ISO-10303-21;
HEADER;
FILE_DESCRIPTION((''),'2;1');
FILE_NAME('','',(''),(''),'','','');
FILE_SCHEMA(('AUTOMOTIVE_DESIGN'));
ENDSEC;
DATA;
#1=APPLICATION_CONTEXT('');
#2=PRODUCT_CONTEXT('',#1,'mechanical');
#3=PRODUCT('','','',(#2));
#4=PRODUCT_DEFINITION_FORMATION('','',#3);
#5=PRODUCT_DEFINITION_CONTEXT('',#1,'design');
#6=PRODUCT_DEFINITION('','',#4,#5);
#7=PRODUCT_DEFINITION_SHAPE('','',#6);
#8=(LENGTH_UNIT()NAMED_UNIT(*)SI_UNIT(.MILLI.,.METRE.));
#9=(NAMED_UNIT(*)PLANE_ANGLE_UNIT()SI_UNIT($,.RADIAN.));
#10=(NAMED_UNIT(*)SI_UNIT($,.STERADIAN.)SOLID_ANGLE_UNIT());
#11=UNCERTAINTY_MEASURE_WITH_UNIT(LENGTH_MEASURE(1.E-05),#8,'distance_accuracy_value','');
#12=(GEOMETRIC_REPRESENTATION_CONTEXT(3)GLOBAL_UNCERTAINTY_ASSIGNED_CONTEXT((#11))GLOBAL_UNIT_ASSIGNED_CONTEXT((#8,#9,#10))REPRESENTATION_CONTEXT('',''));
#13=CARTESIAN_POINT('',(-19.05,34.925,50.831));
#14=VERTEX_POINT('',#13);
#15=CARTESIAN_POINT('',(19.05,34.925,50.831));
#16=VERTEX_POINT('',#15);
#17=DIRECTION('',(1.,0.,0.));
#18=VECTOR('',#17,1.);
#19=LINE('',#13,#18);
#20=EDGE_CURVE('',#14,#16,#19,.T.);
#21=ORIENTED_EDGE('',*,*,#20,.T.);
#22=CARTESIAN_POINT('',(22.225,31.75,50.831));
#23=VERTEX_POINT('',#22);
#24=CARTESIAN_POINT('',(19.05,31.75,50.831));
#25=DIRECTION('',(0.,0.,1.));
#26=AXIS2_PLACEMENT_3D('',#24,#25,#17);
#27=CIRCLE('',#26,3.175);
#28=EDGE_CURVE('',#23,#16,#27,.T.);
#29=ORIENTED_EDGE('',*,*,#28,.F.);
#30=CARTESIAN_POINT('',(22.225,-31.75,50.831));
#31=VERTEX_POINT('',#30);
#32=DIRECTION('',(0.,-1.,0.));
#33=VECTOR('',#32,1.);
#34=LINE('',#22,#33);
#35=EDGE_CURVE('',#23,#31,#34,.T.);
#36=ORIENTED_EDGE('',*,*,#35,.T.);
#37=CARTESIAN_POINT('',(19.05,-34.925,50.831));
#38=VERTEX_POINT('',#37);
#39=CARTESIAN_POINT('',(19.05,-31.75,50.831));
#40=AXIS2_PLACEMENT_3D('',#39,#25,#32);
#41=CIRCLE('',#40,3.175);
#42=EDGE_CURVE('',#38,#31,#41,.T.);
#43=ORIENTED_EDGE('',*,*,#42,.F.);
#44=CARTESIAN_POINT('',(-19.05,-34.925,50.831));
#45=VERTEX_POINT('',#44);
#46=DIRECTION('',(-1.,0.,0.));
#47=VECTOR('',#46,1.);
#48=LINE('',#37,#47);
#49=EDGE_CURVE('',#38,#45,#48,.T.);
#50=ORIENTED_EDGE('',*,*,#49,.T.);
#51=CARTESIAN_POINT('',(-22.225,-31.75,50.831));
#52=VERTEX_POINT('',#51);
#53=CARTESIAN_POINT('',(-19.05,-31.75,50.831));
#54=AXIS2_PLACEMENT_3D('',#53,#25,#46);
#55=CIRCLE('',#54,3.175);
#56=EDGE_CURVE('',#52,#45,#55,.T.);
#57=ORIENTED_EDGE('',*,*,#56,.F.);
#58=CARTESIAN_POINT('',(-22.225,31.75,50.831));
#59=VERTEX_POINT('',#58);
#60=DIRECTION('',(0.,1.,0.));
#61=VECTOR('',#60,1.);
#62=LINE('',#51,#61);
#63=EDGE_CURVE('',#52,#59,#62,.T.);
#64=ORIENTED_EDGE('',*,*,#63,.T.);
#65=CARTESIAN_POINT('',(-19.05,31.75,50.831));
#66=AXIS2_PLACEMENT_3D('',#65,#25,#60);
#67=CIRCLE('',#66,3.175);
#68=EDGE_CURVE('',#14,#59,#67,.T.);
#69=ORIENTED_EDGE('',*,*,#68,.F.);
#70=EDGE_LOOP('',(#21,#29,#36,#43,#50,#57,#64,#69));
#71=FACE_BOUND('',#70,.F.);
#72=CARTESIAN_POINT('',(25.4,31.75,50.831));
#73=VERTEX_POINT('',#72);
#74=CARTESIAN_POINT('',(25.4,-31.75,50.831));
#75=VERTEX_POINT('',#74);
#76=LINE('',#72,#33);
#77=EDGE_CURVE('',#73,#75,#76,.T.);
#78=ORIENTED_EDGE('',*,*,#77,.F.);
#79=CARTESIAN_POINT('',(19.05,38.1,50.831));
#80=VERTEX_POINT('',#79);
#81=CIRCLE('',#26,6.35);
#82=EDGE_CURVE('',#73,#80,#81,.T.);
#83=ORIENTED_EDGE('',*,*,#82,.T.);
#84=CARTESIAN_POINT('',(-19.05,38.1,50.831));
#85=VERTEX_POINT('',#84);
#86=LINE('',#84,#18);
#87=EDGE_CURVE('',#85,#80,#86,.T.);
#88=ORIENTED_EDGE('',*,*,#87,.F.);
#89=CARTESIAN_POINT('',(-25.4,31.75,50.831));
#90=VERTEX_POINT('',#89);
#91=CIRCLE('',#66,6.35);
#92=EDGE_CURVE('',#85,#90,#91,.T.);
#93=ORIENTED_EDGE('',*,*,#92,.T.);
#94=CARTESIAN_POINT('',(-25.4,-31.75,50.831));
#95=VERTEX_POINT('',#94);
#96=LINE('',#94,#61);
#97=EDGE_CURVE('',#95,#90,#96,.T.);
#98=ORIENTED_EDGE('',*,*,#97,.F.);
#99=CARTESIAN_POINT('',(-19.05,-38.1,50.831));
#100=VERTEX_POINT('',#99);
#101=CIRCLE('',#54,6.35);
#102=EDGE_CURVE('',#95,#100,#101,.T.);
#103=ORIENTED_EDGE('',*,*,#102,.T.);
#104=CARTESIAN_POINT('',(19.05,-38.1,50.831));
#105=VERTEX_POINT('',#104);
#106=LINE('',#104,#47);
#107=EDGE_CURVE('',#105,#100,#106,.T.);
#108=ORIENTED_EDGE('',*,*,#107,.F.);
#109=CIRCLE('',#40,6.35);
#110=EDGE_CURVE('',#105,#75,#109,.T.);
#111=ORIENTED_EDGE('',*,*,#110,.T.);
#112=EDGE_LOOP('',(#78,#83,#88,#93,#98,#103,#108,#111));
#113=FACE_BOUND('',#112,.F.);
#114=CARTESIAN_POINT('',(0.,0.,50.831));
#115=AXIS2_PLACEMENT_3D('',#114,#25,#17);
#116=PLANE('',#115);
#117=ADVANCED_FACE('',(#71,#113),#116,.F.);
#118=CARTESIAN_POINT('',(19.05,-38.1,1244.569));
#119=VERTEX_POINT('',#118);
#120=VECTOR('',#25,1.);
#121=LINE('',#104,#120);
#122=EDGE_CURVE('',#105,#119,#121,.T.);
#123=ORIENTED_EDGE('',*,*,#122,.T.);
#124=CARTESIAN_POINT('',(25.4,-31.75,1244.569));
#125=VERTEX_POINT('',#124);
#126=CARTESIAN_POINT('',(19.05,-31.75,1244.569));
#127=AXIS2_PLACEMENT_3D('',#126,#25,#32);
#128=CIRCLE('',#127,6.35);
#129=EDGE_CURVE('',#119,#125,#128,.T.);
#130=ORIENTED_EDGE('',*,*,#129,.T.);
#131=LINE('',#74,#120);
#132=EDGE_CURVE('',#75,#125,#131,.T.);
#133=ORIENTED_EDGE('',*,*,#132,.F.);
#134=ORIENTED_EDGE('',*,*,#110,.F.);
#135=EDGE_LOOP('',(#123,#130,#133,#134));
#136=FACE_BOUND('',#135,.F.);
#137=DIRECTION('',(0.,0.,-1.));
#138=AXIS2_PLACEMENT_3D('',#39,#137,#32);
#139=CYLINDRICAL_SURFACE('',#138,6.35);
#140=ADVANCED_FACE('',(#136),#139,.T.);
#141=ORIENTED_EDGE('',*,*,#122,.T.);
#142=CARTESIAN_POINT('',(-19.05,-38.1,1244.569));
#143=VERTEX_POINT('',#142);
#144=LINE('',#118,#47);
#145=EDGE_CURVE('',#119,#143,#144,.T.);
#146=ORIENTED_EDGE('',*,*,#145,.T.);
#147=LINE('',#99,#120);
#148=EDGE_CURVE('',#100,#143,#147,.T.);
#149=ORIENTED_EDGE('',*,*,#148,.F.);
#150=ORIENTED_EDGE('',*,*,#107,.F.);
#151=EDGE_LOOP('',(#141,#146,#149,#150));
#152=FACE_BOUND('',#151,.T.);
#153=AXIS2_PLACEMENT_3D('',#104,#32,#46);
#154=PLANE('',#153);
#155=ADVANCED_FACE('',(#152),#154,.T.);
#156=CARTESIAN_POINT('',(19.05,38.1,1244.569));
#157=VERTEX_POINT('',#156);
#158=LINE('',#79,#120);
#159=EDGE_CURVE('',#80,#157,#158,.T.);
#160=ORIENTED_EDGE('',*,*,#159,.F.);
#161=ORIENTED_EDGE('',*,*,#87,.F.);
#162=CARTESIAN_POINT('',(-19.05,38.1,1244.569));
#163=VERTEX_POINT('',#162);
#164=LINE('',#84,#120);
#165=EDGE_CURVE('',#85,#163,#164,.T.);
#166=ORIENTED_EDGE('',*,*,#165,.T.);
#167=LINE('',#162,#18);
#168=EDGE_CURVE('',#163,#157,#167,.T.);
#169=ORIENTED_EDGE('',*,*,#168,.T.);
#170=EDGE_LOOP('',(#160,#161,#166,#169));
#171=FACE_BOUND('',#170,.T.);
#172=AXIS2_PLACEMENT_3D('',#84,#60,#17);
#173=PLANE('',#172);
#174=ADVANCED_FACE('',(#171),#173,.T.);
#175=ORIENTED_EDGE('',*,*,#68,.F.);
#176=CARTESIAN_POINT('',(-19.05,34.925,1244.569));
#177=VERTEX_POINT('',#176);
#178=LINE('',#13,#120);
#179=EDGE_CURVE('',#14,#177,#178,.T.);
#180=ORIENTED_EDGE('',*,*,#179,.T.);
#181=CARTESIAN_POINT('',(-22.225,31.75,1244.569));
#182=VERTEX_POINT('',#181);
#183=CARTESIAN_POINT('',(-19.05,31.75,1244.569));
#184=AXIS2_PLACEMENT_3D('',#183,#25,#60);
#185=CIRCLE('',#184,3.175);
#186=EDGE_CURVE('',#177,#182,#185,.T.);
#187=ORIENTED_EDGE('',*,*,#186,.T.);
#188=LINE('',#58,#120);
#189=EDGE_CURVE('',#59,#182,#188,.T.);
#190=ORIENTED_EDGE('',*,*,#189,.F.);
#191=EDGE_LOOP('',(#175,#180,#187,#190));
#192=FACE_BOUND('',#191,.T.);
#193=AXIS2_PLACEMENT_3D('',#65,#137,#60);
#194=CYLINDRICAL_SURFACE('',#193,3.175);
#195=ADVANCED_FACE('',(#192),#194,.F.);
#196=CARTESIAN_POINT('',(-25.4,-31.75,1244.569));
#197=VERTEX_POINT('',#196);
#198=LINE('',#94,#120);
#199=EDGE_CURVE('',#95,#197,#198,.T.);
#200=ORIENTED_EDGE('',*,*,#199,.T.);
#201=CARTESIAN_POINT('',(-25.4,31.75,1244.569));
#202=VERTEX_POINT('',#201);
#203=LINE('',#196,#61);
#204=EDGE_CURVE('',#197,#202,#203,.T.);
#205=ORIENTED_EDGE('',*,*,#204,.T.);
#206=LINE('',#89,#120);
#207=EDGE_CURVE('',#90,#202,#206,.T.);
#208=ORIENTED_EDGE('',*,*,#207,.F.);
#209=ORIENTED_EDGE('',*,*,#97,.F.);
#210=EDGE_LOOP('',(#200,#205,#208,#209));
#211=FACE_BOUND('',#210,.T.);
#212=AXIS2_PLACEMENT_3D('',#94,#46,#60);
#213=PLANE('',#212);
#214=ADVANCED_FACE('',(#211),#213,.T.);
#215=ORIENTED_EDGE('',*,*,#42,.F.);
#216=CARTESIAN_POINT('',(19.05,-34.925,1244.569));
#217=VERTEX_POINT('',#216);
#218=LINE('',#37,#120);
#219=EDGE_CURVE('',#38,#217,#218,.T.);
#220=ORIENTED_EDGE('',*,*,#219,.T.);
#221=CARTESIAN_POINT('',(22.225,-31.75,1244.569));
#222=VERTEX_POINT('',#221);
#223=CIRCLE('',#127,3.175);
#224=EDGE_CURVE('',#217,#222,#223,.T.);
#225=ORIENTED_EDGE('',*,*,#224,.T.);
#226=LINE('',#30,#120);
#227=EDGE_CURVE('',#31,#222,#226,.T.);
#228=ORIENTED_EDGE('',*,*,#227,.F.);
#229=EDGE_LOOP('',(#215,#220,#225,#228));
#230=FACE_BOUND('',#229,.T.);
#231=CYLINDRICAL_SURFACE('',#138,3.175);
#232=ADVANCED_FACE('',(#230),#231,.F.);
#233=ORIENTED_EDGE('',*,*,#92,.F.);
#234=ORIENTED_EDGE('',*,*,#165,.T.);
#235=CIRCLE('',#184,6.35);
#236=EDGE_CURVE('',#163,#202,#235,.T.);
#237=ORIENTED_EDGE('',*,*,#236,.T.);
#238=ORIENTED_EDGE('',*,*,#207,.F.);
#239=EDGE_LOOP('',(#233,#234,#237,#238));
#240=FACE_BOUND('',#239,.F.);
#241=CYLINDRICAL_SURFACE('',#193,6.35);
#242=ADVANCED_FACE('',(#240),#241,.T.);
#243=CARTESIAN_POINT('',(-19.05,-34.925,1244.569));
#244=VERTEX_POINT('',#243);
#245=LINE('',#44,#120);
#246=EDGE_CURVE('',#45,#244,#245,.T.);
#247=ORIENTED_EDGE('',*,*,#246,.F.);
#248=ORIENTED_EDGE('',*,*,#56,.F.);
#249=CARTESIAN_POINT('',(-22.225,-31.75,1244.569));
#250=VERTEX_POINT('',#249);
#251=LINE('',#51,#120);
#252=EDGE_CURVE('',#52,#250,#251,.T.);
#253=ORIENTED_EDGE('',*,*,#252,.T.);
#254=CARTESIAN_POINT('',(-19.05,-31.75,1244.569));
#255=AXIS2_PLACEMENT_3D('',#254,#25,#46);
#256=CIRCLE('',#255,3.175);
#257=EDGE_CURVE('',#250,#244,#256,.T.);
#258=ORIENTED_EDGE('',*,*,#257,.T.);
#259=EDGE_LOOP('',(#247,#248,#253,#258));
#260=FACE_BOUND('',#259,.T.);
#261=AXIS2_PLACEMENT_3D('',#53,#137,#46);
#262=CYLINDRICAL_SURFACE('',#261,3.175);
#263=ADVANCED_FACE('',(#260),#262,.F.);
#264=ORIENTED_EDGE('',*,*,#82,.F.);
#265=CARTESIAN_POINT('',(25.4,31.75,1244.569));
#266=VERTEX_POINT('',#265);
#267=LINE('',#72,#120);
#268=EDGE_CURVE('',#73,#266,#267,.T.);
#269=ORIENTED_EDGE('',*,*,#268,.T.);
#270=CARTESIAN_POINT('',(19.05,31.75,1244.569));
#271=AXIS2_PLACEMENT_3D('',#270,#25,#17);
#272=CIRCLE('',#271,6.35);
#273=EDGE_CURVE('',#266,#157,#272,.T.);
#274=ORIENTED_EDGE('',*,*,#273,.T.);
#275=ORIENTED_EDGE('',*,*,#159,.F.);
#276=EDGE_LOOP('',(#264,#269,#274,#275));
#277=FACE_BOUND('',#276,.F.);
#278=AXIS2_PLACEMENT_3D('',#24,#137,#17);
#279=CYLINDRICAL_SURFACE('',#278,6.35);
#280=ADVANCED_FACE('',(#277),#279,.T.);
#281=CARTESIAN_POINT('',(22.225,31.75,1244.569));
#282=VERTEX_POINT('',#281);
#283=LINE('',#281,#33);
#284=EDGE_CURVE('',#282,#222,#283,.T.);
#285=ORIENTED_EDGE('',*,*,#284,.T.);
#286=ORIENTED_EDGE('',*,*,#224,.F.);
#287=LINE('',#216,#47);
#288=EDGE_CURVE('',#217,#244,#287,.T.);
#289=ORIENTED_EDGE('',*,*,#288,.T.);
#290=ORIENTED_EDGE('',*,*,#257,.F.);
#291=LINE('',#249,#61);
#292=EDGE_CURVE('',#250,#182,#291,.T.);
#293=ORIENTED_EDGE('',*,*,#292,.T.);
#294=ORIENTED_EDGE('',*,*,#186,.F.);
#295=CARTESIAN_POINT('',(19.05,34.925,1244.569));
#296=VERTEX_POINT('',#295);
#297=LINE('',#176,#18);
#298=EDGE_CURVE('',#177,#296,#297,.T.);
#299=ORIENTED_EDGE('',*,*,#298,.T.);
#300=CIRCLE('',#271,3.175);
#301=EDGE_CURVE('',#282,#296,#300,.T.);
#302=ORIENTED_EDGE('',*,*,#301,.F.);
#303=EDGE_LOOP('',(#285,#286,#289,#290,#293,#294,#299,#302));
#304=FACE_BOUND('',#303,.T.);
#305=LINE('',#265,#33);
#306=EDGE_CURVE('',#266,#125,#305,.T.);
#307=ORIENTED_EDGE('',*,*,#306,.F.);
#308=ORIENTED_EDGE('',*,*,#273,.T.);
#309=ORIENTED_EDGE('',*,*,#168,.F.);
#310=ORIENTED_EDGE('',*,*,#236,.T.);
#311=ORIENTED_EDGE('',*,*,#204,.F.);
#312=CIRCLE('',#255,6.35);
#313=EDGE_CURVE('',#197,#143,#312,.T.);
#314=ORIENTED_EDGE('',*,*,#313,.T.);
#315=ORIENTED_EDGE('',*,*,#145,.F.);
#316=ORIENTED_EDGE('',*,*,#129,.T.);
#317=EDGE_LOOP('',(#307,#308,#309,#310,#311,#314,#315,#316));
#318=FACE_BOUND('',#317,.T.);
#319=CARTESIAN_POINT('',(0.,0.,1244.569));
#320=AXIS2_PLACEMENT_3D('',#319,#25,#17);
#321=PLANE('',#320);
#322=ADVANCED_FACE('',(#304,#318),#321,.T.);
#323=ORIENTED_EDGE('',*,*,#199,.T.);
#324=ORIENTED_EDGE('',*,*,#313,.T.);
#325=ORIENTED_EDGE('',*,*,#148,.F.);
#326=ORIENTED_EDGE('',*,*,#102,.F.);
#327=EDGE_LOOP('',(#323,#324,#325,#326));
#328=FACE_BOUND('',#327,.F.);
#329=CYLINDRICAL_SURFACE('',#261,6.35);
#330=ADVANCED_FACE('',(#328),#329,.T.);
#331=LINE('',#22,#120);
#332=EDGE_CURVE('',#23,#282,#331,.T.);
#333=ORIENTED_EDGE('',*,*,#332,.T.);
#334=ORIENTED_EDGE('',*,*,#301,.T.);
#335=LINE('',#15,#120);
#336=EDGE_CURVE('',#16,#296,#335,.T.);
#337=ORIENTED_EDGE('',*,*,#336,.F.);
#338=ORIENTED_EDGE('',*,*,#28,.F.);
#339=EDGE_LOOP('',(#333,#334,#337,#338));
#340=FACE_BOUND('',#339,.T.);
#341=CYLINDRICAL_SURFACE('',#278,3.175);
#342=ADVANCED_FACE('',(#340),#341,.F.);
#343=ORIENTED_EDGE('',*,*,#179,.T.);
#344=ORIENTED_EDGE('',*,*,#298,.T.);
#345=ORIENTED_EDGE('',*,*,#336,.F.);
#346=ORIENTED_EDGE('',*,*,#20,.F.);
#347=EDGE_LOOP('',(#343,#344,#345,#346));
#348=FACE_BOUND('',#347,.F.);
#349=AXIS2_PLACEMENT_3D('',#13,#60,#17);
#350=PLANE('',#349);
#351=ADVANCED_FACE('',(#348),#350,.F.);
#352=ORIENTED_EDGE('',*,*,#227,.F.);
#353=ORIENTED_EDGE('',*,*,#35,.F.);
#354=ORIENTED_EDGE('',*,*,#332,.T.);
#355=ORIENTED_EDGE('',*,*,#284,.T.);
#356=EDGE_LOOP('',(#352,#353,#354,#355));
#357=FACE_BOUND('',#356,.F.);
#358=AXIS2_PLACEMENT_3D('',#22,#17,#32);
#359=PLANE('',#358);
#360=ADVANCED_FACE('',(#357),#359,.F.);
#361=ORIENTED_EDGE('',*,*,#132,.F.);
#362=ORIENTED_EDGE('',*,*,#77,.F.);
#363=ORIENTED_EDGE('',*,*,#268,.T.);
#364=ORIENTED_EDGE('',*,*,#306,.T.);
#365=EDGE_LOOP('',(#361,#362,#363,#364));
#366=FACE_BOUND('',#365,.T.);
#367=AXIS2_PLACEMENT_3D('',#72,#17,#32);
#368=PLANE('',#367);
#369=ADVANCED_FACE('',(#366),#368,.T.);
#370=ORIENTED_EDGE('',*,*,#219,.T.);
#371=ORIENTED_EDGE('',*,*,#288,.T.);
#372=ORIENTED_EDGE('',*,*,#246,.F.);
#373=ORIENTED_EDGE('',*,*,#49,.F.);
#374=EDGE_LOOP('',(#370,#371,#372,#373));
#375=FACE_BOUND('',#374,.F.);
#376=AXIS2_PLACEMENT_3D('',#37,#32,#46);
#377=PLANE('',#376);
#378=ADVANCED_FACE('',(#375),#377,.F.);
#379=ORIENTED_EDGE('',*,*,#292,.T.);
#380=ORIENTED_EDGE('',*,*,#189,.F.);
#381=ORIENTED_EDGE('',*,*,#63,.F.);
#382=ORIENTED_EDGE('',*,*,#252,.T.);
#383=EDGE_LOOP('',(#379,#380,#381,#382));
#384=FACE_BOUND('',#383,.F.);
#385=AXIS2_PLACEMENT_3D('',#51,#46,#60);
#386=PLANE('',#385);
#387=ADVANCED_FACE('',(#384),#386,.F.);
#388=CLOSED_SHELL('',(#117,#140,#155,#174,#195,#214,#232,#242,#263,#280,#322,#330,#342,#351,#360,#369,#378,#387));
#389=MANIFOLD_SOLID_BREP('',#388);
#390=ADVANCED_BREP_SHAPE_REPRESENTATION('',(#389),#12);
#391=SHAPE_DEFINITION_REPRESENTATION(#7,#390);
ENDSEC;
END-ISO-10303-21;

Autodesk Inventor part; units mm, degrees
ref_plane "Start Plane" through (0, 0, 50.831) normal (0, 0, 1) x (1, 0, 0)
ref_plane "End Plane" through (0, 0, 1244.569) normal (0, 0, 1) x (1, 0, 0)
sketch "Sketch" plane through (0, 0, 0) normal (0, 0, 1) x (1, 0, 0)
  line L0 (-25.4, -31.75) -> (-25.4, 31.75)
  line L1 (-19.05, 38.1) -> (19.05, 38.1)
  line L2 (25.4, 31.75) -> (25.4, -31.75)
  line L3 (19.05, -38.1) -> (-19.05, -38.1)
  arc A0 (-25.4, -31.75) -> (-19.05, -38.1) centre (-19.05, -31.75) ccw
  arc A1 (-19.05, 38.1) -> (-25.4, 31.75) centre (-19.05, 31.75) ccw
  arc A2 (25.4, 31.75) -> (19.05, 38.1) centre (19.05, 31.75) ccw
  arc A3 (19.05, -38.1) -> (25.4, -31.75) centre (19.05, -31.75) ccw
  arc A4 (-19.05, 34.925) -> (-22.225, 31.75) centre (-19.05, 31.75) ccw
  line L4 (-19.05, 34.925) -> (19.05, 34.925)
  arc A5 (22.225, 31.75) -> (19.05, 34.925) centre (19.05, 31.75) ccw
  line L5 (22.225, 31.75) -> (22.225, -31.75)
  arc A6 (19.05, -34.925) -> (22.225, -31.75) centre (19.05, -31.75) ccw
  line L6 (19.05, -34.925) -> (-19.05, -34.925)
  arc A7 (-22.225, -31.75) -> (-19.05, -34.925) centre (-19.05, -31.75) ccw
  line L7 (-22.225, -31.75) -> (-22.225, 31.75)
  line L8 (0, 55.1812) -> (0, -55.1812) construction
  line L9 (-37.4012, 0) -> (37.4012, 0) construction
  dimension "d10" = 76.2
  dimension "d11" = 50.8
  dimension "d12" = 3.175
  dimension "d15" = 38.1
  dimension "d16" = 25.4
  dimension "d17" = 6.35
extrude "Body" add sketch "Sketch" along normal up to surface (1193.738 mm away) from surface at 50.831
sketch "Sketch3" plane through (0, 0, 0) normal (0, 0, 1) x (1, 0, 0)
  line L0 (0, 0) -> (10, 0)
ref_plane "Work Plane3" through (0, 0, 0) normal (0, -1, 0) x (1, 0, 0)
ref_plane "Work Plane4" through (0, -546.1, 1244.569) normal (0, 0, 1) x (1, 0, 0)
split "Split1" plane through (0, -546.1, 1244.569) removes the side toward (0, 0, 1)
ref_plane "Work Plane5" through (-2540, 0, 50.831) normal (0, 0, -1) x (-1, 0, 0)
split "Split2" plane through (-2540, 0, 50.831) removes the side toward (0, 0, -1)
sketch "Sketch4" plane through (0, 0, 0) normal (0, -1, 0) x (1, 0, 0)
  line L0 (-2, 50.831) -> (12, 50.831) projected
  line L1 (-2, 1244.569) -> (12, 1244.569) projected
  dimension "d19" = 1193.738
equation "\"d10\" = G_H"
equation "\"d11\" = G_W"
equation "\"d12\" = G_T"
equation "\"d15\" = 0.5 * d10"
equation "\"d16\" = 0.5 * d11"
equation "\"d17\" = G_IR"
equation "\"d3\" = G_L"
equation "\"G_W\" = 50.8"
equation "\"G_H\" = 76.2"
equation "\"G_T\" = 3.175"
equation "\"G_IR\" = 6.35"
equation "\"G_L\" = d19"
equation "\"G_OFFSET_START\" = -50.831"
equation "\"G_OFFSET_END\" = -76.231"
equation "\"d13\" = -G_OFFSET_START"
equation "\"d14\" = G_OFFSET_END + B_L"
equation "\"B_L\" = 1320.8"
properties part number "AISC - 3 x 2 x 1/8 - 46.998" material "Steel, Mild"
